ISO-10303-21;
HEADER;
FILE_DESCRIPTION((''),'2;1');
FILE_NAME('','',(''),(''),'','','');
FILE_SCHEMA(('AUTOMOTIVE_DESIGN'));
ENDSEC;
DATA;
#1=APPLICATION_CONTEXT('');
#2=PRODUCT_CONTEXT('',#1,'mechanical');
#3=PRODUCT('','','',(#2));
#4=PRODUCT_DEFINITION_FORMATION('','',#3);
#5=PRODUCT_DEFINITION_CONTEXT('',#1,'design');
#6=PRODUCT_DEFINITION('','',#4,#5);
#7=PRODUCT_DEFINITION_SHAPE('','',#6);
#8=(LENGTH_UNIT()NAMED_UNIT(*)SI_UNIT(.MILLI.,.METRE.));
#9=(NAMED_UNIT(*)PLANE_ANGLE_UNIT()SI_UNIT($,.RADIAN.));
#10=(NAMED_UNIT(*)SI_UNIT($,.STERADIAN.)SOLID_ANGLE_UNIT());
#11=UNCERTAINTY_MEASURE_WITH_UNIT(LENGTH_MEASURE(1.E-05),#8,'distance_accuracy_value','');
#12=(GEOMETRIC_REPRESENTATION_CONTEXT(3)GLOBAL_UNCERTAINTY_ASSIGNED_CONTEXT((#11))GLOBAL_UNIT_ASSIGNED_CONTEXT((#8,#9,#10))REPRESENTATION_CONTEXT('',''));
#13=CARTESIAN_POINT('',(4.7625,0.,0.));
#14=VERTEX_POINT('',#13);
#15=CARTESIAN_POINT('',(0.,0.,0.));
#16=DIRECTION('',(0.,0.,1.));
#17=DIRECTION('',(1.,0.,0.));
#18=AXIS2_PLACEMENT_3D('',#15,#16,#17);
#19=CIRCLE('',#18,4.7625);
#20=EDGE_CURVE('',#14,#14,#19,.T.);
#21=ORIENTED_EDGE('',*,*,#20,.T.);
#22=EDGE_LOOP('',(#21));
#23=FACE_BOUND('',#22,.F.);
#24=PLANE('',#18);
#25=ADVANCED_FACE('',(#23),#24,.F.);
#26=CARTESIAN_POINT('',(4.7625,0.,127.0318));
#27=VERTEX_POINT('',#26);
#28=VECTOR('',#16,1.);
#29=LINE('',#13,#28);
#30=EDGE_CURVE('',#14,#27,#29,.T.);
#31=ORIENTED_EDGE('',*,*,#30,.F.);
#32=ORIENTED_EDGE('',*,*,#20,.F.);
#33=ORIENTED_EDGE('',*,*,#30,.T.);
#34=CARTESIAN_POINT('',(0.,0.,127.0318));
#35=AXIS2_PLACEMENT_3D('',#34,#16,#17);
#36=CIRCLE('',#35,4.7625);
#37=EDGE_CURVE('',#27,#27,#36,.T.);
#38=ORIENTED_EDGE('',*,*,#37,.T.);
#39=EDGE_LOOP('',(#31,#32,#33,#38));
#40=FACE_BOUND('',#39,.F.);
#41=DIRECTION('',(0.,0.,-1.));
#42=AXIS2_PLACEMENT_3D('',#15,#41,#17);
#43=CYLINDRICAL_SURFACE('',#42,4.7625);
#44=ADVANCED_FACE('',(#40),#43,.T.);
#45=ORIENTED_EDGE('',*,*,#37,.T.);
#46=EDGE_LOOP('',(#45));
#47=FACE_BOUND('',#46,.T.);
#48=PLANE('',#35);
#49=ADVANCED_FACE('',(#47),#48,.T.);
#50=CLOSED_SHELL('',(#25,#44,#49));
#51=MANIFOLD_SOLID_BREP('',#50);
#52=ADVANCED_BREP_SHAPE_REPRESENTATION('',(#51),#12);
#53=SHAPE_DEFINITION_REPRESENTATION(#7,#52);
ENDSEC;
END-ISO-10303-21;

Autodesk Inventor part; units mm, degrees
ref_plane "YZ Plane" through (0, 0, 0) normal (1, 0, 0) x (0, 1, 0)
ref_plane "XZ Plane" through (0, 0, 0) normal (0, 1, 0) x (-1, 0, 0)
sketch "Sketch1" plane through (0, 0, 0) normal (0, 0, 1) x (1, 0, 0)
  circle A0 centre (0, 0) radius 4.7625
  dimension "d0" = 9.525
extrude "Extrusion1" add sketch "Sketch1" along normal blind 304.8
thread "Thread1" size "3/8-16 UNC" class "2A" standard "ANSI Unified Screw Threads" full length
sketch "Sketch2" plane through (0, 0, 304.8) normal (0, 0, 1) x (1, 0, 0)
  circle A0 centre (0, 0) radius 4.7625 projected
ref_plane "Work Plane1" through (-7.1437, -7.1437, 127.0318) normal (0, 0, 1) x (1, 0, 0)
extrude "Extrusion2" cut sketch "Sketch2" against normal up to surface (177.7682 mm away)
properties part number "3 8 Threaded Shaft" material "Stainless Steel"
